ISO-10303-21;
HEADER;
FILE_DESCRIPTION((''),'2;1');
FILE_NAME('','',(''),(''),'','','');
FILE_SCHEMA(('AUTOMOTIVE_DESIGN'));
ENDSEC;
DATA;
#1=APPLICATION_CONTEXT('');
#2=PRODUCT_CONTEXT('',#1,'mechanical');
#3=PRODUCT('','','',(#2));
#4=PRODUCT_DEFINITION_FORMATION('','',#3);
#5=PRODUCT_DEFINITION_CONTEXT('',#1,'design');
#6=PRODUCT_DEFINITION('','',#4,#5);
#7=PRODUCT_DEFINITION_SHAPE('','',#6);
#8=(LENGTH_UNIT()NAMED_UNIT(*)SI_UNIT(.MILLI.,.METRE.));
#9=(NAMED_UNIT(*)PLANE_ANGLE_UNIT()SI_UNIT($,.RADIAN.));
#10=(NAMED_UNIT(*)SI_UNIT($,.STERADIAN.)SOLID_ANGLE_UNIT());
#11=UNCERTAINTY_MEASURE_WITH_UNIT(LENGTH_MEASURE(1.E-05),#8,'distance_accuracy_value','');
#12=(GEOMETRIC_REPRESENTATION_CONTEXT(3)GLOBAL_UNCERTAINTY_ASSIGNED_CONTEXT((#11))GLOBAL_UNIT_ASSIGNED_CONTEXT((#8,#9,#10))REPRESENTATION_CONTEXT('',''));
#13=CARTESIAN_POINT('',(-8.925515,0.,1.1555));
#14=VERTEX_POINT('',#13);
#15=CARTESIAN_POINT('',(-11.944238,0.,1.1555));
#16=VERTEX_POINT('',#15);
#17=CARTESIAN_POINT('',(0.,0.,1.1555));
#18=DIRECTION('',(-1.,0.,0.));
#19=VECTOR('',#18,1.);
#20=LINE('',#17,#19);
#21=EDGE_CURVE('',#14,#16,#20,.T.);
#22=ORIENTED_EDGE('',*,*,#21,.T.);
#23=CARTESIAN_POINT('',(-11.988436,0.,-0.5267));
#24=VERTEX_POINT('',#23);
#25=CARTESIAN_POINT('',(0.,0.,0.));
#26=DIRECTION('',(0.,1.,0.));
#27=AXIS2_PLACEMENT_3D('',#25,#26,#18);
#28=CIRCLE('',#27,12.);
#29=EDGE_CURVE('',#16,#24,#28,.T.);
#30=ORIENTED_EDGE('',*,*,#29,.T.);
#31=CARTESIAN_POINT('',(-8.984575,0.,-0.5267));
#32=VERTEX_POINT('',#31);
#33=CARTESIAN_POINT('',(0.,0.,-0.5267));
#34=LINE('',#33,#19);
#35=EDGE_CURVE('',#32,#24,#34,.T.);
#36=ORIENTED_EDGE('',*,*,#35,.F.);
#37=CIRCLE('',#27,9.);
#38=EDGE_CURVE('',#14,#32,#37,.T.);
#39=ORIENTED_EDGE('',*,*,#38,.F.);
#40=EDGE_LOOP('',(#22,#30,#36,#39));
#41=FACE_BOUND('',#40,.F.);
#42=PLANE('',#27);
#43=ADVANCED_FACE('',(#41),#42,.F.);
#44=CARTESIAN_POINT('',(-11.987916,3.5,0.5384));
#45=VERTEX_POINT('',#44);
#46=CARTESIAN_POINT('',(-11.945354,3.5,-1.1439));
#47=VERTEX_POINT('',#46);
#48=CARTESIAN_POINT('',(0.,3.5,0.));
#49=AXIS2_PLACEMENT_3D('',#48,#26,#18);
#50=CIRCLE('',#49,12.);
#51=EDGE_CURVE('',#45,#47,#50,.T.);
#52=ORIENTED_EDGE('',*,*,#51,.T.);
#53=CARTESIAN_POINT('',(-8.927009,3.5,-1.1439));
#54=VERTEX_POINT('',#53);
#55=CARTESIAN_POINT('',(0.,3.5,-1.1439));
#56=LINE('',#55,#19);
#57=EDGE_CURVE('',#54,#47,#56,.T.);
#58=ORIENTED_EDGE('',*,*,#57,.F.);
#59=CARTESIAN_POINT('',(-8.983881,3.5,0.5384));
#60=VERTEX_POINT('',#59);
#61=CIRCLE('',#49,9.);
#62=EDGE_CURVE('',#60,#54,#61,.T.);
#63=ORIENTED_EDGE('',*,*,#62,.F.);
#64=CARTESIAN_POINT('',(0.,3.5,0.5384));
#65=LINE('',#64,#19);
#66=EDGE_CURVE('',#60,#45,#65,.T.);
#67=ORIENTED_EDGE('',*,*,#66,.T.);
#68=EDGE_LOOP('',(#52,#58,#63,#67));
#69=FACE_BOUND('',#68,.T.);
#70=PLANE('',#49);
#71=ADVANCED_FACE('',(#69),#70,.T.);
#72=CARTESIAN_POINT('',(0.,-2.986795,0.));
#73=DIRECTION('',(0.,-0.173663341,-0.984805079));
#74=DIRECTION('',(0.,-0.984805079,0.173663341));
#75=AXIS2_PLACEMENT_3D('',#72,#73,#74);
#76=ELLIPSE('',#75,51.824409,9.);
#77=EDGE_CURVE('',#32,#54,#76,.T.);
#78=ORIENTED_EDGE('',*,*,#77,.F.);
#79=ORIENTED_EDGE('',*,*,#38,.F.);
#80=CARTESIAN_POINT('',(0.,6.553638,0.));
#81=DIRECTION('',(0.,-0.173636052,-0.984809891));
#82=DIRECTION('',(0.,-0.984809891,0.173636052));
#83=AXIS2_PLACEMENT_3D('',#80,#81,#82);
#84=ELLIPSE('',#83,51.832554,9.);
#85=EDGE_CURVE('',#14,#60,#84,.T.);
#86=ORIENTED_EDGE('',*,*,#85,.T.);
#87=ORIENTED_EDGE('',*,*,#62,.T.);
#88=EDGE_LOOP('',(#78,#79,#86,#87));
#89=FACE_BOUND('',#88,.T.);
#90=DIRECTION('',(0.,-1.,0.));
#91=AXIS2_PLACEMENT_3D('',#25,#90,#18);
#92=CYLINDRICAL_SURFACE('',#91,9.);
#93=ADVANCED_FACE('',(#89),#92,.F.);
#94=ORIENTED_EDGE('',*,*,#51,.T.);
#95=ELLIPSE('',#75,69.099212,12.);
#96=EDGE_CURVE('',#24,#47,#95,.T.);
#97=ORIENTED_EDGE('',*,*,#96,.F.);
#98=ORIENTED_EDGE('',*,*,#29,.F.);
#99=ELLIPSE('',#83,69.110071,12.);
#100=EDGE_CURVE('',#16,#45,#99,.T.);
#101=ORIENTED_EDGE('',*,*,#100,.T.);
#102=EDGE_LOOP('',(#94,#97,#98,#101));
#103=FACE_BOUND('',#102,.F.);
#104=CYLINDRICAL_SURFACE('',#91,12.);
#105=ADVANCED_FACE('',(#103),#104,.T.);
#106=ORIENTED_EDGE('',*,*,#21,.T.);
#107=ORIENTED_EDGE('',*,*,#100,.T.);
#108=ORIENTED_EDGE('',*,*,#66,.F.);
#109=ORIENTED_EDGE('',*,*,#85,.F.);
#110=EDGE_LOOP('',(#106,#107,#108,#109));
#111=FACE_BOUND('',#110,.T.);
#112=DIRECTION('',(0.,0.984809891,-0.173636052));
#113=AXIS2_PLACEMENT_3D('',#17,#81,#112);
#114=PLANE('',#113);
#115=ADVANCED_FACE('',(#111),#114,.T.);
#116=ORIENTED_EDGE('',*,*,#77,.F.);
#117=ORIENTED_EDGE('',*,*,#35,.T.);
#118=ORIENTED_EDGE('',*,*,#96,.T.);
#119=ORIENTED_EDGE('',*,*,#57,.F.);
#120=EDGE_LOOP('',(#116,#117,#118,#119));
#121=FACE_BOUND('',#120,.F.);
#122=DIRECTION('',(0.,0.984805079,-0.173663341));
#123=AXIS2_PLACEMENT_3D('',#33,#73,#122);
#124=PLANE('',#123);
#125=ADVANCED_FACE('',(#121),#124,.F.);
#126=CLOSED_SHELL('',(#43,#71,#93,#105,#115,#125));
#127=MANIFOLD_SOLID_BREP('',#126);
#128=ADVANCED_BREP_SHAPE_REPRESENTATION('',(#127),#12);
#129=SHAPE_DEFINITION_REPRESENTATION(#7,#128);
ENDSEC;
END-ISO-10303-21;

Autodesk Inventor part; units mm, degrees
ref_plane "YZ Plane" through (0, 0, 0) normal (1, 0, 0) x (0, 1, 0)
ref_plane "XZ Plane" through (0, 0, 0) normal (0, 1, 0) x (-1, 0, 0)
ref_plane "XY Plane" through (0, 0, 0) normal (0, 0, 1) x (1, 0, 0)
sketch "Sketch1" plane through (0, 0, 0) normal (0, 1, 0) x (-1, 0, 0)
  circle A0 centre (0, 0) radius 9
  circle A1 centre (0, 0) radius 12
  dimension "d0" = 18
  dimension "d1" = 24
extrude "Extrusion1" add sketch "Sketch1" along normal blind 3.5
sketch "Sketch2" plane through (0, 0, 0) normal (1, 0, 0) x (0, 1, 0)
  line L0 (0, 1.1555) -> (3.5, 0.5384)
  line L1 (0, 0) -> (6.1473, 0) construction
  line L2 (0, -0.5267) -> (3.5, -1.1439)
  line L3 (3.5, 0.5384) -> (3.5, -1.1439)
  line L4 (0, -0.5267) -> (0, 1.1555)
  line L5 (3.5, -1.1439) -> (3.5, 0.5384)
  line L6 (3.5, -12) -> (3.5, 12) projected
  line L7 (0, 0) -> (3.554, 0) construction
extrude "Extrusion2" cut sketch "Sketch2" against normal blind 300
properties part number "alatet"
